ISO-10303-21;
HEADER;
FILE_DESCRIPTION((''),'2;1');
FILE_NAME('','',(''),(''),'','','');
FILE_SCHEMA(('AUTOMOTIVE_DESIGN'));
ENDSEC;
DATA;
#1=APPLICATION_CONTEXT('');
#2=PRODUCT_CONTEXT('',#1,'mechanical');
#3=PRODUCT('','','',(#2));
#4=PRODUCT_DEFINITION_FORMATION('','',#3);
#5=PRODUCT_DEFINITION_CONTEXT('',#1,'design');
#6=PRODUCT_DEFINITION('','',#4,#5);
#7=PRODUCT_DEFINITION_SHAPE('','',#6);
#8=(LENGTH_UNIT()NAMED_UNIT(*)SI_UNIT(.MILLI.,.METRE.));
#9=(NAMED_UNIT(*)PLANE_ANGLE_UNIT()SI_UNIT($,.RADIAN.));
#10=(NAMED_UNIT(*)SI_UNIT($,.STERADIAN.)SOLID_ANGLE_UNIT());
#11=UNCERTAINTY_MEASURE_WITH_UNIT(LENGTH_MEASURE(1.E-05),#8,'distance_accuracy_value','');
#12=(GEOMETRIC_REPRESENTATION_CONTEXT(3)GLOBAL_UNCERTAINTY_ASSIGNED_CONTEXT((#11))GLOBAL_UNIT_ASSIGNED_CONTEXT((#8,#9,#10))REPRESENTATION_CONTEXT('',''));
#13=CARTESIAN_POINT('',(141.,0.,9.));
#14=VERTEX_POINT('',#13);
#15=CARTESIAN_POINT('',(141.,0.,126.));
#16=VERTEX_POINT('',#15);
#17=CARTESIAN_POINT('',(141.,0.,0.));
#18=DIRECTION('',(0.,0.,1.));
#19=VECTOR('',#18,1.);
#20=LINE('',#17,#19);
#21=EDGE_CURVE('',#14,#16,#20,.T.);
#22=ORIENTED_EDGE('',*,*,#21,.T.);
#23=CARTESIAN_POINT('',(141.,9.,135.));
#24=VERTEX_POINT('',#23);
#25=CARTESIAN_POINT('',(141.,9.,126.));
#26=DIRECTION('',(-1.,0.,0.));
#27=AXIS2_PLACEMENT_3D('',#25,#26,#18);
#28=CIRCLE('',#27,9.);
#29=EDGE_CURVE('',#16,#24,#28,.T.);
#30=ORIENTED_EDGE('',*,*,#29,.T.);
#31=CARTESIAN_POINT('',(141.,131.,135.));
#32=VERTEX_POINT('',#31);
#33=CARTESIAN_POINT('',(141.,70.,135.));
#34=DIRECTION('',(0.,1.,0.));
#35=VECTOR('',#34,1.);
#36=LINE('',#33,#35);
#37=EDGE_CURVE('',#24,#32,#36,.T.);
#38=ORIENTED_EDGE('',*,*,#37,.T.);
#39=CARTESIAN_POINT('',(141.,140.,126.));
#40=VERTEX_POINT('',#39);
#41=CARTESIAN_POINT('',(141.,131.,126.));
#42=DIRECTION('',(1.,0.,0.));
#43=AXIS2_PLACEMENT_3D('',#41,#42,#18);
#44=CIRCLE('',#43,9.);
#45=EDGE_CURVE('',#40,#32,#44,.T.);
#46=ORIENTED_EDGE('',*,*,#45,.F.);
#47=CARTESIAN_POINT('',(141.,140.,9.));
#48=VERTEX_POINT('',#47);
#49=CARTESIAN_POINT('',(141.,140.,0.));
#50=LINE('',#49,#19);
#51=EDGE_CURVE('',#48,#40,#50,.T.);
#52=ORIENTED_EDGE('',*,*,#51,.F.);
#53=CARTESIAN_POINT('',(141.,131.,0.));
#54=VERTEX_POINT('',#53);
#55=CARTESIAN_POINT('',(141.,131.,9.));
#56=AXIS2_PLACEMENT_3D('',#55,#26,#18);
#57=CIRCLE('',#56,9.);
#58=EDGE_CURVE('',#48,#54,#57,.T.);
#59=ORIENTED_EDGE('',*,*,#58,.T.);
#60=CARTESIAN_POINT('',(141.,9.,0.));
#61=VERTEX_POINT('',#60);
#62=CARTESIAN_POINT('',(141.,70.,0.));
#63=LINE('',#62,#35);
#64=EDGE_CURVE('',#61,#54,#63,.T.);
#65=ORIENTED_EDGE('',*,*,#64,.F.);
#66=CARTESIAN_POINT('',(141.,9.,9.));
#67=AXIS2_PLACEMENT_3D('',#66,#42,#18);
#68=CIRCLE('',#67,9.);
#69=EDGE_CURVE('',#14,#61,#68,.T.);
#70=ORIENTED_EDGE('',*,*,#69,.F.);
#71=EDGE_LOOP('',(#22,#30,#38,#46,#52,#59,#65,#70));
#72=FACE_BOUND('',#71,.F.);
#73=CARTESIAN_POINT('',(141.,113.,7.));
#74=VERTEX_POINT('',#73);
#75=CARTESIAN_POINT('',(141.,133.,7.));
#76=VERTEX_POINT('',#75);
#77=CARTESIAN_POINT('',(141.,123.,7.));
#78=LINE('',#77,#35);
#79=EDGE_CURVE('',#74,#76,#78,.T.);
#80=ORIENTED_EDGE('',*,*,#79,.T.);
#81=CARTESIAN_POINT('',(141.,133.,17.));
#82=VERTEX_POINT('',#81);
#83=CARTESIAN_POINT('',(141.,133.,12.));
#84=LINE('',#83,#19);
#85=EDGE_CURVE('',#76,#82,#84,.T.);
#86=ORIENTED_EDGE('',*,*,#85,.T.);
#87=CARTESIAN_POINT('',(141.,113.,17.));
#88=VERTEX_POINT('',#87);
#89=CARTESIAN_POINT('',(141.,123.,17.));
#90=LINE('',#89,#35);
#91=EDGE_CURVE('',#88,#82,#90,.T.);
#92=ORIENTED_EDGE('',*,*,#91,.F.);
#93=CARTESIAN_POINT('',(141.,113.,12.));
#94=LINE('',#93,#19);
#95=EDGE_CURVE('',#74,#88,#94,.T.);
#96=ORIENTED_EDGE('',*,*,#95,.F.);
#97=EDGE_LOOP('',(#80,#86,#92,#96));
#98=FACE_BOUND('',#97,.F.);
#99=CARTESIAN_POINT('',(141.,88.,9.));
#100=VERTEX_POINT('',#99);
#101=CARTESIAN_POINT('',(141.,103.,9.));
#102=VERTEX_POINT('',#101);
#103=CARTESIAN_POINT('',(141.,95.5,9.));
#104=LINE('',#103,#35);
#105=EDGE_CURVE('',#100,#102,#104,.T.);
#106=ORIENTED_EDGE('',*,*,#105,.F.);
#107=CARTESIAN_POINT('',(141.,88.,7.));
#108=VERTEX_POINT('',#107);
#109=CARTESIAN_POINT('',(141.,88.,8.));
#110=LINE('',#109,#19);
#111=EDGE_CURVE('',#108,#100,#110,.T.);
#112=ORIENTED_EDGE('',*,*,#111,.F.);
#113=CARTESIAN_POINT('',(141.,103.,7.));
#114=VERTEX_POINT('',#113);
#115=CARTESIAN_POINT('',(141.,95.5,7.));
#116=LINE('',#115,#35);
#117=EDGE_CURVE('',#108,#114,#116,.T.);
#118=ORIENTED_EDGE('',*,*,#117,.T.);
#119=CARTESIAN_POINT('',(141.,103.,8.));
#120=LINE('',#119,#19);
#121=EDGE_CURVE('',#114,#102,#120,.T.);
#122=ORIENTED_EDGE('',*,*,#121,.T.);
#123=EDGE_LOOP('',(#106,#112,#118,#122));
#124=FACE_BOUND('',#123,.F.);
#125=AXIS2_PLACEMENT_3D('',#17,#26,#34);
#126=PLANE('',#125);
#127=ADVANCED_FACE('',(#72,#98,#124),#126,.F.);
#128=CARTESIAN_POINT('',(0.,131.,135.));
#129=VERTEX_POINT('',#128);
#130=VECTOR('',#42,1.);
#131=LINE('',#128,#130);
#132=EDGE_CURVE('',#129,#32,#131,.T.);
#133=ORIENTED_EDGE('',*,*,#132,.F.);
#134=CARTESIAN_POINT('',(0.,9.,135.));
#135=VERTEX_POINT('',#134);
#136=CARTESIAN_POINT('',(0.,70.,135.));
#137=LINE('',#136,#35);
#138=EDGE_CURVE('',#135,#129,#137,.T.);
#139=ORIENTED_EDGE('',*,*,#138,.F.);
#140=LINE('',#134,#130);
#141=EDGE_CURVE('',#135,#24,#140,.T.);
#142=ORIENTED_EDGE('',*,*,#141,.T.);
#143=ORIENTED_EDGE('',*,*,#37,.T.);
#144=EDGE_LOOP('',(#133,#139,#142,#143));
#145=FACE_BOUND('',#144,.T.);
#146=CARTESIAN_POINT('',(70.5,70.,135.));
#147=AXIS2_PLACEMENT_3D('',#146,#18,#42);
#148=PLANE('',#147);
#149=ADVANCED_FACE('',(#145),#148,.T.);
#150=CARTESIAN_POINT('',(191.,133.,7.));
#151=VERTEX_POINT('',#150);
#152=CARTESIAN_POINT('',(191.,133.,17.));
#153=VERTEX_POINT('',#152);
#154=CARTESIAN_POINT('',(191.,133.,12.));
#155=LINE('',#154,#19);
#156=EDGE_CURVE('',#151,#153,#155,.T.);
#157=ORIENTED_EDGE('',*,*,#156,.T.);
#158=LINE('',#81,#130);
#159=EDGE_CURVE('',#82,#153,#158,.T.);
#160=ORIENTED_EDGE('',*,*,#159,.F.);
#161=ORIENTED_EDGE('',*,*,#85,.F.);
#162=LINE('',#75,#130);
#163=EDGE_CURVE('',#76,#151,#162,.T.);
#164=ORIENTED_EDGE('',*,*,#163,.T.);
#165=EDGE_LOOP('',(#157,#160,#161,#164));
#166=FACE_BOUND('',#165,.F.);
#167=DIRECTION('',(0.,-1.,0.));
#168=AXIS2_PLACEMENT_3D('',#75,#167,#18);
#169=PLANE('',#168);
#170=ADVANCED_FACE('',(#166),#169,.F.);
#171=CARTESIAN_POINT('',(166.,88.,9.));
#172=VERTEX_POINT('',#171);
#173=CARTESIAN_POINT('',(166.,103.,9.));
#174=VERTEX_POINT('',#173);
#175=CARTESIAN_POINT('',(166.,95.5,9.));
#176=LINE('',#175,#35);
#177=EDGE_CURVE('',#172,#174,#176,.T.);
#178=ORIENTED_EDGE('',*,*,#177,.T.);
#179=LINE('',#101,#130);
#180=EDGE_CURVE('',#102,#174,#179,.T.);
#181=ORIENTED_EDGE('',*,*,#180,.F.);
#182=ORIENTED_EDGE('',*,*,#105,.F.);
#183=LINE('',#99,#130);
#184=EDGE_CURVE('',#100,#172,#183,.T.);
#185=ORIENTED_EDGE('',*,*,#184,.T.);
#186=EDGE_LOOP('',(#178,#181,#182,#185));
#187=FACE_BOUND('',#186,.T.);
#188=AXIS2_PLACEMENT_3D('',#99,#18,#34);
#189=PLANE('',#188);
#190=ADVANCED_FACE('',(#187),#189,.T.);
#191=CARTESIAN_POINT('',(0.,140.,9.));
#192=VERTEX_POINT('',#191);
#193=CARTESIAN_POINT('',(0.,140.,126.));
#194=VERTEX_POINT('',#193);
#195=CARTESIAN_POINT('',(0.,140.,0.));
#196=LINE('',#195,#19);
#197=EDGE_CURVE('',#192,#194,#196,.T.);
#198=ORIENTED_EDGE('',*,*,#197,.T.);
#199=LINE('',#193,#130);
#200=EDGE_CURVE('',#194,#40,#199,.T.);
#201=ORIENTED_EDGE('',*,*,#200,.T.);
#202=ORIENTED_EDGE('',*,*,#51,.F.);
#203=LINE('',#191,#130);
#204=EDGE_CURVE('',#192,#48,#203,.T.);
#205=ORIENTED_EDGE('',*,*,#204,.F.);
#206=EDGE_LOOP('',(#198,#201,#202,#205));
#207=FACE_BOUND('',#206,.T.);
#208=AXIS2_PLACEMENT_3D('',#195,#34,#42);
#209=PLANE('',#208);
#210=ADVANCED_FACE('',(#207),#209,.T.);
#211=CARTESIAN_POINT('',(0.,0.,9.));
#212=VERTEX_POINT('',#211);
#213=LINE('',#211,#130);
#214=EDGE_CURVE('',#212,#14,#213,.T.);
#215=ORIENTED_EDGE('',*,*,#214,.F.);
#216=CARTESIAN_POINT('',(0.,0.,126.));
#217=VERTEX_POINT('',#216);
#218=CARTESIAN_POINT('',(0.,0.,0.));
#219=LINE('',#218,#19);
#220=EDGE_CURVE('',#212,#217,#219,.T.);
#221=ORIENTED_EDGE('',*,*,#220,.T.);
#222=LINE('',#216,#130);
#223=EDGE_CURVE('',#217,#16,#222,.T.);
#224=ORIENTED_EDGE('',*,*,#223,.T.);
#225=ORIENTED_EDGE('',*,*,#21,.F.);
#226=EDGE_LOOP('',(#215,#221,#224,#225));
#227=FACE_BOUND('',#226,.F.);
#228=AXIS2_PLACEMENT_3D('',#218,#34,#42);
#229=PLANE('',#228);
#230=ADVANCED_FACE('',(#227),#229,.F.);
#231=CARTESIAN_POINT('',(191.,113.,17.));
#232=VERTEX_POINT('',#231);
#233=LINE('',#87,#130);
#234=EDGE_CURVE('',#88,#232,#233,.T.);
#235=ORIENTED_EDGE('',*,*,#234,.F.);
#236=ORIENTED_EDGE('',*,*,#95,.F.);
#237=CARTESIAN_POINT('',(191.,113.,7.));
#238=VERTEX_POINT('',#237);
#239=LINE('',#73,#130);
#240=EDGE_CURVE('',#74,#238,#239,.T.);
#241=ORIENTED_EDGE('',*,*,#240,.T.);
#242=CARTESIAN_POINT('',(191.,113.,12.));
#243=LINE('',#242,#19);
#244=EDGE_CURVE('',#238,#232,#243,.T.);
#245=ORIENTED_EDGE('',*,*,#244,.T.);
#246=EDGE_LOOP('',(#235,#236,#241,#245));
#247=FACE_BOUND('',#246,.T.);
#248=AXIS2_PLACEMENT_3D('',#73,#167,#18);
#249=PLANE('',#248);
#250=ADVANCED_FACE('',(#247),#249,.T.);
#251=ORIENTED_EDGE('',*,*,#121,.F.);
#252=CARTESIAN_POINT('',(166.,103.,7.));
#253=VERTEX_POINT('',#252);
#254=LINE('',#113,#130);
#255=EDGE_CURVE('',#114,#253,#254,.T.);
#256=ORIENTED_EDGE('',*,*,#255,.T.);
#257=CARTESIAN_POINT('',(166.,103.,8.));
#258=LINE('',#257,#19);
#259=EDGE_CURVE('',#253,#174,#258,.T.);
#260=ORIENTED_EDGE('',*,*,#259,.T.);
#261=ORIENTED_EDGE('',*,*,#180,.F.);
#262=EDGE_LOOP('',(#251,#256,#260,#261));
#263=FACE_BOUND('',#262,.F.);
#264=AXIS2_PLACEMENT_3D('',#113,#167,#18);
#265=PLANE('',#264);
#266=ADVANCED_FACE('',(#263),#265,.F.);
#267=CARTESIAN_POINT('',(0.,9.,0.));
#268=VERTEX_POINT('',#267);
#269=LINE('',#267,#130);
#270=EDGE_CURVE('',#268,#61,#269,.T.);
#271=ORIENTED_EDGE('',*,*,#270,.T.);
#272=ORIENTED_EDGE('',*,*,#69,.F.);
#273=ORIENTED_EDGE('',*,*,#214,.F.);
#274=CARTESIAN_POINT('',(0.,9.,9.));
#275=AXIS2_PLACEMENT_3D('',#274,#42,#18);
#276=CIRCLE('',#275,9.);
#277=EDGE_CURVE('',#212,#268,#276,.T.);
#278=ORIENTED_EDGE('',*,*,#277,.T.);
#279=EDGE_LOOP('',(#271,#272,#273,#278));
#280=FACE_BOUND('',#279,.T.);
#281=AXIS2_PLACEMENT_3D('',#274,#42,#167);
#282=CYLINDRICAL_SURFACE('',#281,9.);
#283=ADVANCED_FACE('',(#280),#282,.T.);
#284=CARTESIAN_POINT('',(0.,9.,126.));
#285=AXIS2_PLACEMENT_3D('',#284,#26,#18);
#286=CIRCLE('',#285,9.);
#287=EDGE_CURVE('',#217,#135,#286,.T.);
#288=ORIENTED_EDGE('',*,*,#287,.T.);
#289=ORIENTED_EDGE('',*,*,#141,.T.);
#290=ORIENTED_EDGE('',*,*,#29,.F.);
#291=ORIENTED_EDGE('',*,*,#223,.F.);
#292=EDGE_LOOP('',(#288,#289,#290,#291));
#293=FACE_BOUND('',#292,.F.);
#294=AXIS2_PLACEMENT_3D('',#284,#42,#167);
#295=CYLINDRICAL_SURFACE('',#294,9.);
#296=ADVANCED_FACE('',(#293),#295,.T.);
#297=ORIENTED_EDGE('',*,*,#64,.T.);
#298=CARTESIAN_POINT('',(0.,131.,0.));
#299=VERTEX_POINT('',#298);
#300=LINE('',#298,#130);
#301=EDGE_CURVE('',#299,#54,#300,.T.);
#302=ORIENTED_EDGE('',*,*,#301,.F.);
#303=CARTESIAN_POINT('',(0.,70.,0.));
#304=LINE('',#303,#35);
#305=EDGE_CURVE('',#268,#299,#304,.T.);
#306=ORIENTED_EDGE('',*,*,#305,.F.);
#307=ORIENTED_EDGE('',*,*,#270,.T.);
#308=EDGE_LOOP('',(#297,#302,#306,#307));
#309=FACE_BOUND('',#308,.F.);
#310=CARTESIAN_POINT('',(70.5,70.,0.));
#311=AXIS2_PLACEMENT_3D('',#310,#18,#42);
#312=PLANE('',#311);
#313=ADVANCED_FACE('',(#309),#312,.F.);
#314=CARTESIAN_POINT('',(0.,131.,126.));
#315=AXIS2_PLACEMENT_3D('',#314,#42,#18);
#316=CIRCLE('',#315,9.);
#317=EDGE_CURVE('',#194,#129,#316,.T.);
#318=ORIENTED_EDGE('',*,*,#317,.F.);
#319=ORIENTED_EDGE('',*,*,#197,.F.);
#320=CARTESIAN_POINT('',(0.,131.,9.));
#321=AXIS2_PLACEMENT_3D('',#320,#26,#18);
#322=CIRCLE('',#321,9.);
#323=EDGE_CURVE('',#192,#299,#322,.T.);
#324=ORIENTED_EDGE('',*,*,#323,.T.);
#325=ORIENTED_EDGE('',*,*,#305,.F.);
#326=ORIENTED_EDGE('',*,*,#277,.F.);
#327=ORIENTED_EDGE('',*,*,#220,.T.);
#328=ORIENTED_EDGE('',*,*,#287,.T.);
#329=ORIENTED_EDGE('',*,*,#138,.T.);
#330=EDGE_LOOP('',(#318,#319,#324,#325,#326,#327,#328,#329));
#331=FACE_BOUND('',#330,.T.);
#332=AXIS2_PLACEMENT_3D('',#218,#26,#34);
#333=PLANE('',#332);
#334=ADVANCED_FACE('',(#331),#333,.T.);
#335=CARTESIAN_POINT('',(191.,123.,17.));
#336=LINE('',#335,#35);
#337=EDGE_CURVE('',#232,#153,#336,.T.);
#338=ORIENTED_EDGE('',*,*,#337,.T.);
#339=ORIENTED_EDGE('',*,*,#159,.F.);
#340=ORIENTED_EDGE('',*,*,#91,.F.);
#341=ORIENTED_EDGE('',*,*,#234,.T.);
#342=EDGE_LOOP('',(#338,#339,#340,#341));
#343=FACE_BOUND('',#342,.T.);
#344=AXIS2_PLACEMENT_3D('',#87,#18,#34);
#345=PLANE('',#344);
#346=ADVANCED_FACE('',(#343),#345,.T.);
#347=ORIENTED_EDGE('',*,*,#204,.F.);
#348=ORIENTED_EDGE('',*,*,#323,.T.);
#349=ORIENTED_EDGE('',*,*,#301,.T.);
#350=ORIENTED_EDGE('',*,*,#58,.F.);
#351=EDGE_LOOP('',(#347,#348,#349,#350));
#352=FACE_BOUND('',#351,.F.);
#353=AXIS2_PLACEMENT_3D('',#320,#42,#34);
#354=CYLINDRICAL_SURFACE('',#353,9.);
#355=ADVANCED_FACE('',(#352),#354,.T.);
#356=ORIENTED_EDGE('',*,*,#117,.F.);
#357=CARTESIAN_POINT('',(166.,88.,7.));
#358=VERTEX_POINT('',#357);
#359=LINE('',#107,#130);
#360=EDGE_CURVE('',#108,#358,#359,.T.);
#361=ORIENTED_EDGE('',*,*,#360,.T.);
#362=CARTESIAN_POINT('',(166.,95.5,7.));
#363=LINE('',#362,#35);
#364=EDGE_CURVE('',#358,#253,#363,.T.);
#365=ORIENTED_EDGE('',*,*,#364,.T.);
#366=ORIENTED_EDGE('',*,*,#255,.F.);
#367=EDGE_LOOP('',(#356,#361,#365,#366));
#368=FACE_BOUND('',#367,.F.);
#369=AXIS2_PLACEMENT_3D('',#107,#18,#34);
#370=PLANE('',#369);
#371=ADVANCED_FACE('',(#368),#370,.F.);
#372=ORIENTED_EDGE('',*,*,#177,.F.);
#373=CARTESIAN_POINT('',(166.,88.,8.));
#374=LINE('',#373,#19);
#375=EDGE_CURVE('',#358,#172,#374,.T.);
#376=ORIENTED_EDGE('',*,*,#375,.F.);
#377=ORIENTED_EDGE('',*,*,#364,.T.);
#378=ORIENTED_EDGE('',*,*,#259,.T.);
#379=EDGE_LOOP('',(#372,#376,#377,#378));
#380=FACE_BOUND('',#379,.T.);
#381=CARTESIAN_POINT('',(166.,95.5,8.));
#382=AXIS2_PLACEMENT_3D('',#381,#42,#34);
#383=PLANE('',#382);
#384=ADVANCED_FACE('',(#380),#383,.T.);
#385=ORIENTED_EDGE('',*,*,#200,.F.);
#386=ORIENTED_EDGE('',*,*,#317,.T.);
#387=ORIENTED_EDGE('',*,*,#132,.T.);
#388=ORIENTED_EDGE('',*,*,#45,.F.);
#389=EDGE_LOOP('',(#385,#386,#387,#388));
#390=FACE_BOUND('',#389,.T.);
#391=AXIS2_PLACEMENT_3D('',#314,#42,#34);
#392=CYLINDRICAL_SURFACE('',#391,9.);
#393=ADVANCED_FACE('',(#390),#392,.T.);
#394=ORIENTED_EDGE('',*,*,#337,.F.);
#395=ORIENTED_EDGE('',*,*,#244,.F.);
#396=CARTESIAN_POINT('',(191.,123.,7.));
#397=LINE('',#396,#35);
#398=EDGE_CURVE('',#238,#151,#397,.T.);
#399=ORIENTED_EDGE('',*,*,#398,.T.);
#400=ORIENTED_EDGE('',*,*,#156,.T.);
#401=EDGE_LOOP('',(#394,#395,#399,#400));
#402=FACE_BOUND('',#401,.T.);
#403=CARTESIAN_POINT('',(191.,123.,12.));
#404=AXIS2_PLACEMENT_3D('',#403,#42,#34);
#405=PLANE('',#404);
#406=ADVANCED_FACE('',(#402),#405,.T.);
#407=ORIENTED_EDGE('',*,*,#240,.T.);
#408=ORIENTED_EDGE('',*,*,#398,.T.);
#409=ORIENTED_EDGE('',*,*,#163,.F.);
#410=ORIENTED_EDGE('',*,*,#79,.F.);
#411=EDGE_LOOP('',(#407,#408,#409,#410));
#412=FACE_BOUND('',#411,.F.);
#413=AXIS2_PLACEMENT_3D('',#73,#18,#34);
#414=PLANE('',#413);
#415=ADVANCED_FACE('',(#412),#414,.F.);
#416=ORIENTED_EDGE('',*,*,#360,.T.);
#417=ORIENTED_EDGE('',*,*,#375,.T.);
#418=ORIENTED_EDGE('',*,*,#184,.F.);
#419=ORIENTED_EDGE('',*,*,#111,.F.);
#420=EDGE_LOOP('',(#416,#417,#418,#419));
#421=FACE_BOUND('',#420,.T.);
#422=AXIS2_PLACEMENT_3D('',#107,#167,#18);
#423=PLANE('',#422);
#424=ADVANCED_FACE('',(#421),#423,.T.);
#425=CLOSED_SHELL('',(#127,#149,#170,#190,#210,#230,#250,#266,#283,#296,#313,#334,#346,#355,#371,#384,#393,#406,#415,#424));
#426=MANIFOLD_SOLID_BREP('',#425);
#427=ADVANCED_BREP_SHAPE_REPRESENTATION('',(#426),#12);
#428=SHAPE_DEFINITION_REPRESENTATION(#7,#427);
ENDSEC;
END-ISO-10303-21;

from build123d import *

# Parameters (mm, degrees)
F0_W     = 141
F0_H     = 140
F1_DEPTH = 135
F3_R     = 9
F2_W     = 20
F2_H     = 10
F4_DEPTH = 50
F2_W_2   = 15
F2_H_2   = 2
F5_DEPTH = 25


with BuildPart() as f1:
    # F0 (on Top) → F1 (new body)
    with BuildSketch(Plane.XY):
        with Locations((70.5, 70)):
            Rectangle(F0_W, F0_H)
    extrude(amount=F1_DEPTH)

    # F3
    f3_edges = [f1.edges().sort_by_distance(p)[0] for p in [
        (70.5, 140, 0),
        (70.5, 140, 135),
        (70.5, 0, 0),
        (70.5, 0, 135),
    ]]
    fillet(f3_edges, radius=F3_R)

    # F2 (on face) → F4 (join)
    with BuildSketch(Plane.YZ.offset(141)):
        with Locations((123, 12)):
            Rectangle(F2_W, F2_H)
    extrude(amount=F4_DEPTH)

    # F2 (on face) → F5 (join)
    with BuildSketch(Plane.YZ.offset(141)):
        with Locations((95.5, 8)):
            Rectangle(F2_W_2, F2_H_2)
    extrude(amount=F5_DEPTH)


solid = f1.part
